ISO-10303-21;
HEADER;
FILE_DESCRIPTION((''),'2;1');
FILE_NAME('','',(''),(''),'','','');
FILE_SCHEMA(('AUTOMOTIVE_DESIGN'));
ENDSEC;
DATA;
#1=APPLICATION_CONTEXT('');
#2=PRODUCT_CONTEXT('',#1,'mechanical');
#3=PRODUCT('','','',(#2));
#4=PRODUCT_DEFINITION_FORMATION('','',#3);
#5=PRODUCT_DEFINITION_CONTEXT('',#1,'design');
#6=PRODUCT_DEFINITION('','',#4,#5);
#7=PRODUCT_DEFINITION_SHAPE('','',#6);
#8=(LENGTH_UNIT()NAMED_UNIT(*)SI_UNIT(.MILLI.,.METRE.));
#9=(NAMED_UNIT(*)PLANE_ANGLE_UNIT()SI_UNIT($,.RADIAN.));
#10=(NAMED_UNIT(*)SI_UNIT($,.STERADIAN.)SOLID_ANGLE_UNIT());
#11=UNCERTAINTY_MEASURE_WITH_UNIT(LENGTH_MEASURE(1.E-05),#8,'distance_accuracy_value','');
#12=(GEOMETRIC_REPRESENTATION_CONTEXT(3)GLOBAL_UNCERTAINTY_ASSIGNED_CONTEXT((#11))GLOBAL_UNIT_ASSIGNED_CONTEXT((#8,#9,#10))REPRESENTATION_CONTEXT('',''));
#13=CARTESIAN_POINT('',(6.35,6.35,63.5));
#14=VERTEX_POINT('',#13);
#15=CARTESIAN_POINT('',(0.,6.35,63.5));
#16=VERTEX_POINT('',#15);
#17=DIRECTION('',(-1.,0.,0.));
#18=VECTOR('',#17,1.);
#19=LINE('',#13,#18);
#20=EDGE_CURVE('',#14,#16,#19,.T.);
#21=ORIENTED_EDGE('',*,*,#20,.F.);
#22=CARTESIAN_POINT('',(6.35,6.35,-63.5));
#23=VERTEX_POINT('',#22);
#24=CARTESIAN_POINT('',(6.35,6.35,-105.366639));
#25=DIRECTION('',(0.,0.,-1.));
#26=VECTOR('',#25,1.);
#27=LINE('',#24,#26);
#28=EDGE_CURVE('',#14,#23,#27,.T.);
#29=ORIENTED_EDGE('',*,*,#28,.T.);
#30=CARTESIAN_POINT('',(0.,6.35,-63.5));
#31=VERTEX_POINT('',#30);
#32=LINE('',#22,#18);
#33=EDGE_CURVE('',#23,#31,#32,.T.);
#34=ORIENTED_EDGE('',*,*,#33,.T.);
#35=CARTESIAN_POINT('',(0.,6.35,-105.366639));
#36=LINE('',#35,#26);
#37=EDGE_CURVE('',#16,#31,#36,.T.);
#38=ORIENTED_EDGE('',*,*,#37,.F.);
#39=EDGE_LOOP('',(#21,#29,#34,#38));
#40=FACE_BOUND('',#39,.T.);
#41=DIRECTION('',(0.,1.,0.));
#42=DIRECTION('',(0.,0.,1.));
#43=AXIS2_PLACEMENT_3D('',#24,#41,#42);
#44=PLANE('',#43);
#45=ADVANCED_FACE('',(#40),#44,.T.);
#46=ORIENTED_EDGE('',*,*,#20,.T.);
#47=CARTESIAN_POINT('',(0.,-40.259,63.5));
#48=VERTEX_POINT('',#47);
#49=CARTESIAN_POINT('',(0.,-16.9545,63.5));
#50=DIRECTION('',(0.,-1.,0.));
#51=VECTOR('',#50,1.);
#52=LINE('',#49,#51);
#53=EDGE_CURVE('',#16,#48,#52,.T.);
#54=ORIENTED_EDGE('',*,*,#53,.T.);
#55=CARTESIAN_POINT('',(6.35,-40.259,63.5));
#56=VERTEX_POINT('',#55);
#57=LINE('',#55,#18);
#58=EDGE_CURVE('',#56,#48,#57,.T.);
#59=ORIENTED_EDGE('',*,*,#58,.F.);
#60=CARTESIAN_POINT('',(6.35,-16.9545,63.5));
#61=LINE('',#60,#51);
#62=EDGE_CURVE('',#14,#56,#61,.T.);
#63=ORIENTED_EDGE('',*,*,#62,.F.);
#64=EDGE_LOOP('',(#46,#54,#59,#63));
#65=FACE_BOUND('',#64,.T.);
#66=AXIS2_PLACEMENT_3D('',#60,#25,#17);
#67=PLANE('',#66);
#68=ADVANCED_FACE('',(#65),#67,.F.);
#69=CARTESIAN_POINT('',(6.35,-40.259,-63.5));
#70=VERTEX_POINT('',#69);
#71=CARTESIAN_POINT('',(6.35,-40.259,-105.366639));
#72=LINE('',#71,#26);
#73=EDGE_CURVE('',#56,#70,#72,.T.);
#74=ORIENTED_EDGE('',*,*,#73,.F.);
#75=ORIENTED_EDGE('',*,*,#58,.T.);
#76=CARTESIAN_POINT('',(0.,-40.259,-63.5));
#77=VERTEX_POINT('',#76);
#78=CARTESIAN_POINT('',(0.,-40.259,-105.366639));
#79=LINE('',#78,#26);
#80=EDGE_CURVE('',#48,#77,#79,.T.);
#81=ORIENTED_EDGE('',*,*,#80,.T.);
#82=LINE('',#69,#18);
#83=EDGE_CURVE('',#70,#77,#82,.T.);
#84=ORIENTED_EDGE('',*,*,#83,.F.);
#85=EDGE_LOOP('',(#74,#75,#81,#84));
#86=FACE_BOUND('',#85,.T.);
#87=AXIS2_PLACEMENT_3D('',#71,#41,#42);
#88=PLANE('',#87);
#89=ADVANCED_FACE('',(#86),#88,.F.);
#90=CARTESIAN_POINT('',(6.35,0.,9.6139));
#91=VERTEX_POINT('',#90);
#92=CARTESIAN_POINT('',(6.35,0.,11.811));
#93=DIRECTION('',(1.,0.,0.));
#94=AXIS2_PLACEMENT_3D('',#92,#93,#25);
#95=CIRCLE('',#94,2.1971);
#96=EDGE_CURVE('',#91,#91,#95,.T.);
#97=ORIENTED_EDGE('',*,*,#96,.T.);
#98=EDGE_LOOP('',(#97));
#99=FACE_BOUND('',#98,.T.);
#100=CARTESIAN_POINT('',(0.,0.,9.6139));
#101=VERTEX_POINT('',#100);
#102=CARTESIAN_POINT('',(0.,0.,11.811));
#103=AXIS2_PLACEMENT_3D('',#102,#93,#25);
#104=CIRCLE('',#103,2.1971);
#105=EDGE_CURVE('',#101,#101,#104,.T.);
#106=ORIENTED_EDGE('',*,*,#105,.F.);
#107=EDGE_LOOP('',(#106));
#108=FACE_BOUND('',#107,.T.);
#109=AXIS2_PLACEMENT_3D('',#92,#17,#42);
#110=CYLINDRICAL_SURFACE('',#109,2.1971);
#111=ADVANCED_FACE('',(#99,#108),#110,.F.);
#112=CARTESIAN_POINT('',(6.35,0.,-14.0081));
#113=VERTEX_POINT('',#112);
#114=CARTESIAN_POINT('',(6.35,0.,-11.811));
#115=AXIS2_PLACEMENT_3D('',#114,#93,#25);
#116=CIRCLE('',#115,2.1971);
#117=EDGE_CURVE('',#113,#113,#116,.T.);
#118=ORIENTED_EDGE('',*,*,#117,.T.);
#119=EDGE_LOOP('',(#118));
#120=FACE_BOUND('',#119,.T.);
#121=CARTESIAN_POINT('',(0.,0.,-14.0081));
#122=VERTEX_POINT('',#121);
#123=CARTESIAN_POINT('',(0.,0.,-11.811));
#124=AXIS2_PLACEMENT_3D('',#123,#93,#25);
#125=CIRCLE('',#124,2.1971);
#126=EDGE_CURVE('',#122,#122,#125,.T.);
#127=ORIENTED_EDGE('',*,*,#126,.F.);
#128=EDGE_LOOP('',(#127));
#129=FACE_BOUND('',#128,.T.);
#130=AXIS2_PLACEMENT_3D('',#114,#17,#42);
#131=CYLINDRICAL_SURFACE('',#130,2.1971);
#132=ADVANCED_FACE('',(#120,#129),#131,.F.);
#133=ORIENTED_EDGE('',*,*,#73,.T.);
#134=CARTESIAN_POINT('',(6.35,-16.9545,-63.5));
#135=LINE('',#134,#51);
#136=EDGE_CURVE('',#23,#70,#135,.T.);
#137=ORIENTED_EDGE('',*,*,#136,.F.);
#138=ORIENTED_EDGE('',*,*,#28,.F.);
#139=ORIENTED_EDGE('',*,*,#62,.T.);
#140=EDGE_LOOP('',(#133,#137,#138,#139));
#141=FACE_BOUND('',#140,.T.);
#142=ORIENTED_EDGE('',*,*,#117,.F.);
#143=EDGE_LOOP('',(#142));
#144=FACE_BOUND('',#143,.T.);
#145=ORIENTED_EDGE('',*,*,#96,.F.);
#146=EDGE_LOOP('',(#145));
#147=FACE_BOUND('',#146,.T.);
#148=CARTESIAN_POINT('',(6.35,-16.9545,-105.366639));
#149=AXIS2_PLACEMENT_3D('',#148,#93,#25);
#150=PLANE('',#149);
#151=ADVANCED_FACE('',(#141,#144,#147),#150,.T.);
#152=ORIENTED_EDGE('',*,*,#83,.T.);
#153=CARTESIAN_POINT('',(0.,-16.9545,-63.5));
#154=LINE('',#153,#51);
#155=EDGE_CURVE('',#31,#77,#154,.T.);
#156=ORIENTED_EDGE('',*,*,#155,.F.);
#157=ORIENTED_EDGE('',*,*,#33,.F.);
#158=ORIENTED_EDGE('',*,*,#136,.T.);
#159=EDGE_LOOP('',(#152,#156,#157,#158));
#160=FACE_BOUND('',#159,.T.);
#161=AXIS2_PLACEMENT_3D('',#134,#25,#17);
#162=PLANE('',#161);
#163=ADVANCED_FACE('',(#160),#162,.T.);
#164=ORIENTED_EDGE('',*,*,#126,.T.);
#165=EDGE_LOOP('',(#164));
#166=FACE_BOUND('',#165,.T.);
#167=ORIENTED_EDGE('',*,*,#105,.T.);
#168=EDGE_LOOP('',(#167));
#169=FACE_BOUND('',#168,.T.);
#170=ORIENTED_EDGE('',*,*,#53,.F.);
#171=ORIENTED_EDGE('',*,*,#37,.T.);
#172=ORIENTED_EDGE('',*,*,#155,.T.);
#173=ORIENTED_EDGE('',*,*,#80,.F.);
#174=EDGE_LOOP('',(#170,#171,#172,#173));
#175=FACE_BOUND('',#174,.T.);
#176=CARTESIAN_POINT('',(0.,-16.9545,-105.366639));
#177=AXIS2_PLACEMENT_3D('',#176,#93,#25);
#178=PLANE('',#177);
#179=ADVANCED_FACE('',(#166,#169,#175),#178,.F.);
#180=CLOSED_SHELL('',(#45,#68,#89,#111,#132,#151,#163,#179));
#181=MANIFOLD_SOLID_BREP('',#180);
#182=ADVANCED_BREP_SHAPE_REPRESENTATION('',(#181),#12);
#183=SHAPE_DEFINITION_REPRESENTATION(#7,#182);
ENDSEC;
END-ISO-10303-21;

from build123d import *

# Parameters (mm, degrees)
SKETCH1_W           = 127
SKETCH1_H           = 12.7
SKETCH1_R           = 2.1971
SKETCH1_H_2         = 33.909
BOSS_EXTRUDE1_DEPTH = 6.35


with BuildPart() as part:
    # Sketch1 → Boss-Extrude1 (new body)
    with BuildSketch(Plane(origin=(0, 0, 0), x_dir=(0, 0, -1), z_dir=(1, 0, 0))):
        Rectangle(SKETCH1_W, SKETCH1_H)
        with Locations((11.811, 0)):
            Circle(SKETCH1_R, mode=Mode.SUBTRACT)
        with Locations((-11.811, 0)):
            Circle(SKETCH1_R, mode=Mode.SUBTRACT)
        with Locations((0, -23.3045)):
            Rectangle(SKETCH1_W, SKETCH1_H_2)
    extrude(amount=BOSS_EXTRUDE1_DEPTH)


solid = part.part
